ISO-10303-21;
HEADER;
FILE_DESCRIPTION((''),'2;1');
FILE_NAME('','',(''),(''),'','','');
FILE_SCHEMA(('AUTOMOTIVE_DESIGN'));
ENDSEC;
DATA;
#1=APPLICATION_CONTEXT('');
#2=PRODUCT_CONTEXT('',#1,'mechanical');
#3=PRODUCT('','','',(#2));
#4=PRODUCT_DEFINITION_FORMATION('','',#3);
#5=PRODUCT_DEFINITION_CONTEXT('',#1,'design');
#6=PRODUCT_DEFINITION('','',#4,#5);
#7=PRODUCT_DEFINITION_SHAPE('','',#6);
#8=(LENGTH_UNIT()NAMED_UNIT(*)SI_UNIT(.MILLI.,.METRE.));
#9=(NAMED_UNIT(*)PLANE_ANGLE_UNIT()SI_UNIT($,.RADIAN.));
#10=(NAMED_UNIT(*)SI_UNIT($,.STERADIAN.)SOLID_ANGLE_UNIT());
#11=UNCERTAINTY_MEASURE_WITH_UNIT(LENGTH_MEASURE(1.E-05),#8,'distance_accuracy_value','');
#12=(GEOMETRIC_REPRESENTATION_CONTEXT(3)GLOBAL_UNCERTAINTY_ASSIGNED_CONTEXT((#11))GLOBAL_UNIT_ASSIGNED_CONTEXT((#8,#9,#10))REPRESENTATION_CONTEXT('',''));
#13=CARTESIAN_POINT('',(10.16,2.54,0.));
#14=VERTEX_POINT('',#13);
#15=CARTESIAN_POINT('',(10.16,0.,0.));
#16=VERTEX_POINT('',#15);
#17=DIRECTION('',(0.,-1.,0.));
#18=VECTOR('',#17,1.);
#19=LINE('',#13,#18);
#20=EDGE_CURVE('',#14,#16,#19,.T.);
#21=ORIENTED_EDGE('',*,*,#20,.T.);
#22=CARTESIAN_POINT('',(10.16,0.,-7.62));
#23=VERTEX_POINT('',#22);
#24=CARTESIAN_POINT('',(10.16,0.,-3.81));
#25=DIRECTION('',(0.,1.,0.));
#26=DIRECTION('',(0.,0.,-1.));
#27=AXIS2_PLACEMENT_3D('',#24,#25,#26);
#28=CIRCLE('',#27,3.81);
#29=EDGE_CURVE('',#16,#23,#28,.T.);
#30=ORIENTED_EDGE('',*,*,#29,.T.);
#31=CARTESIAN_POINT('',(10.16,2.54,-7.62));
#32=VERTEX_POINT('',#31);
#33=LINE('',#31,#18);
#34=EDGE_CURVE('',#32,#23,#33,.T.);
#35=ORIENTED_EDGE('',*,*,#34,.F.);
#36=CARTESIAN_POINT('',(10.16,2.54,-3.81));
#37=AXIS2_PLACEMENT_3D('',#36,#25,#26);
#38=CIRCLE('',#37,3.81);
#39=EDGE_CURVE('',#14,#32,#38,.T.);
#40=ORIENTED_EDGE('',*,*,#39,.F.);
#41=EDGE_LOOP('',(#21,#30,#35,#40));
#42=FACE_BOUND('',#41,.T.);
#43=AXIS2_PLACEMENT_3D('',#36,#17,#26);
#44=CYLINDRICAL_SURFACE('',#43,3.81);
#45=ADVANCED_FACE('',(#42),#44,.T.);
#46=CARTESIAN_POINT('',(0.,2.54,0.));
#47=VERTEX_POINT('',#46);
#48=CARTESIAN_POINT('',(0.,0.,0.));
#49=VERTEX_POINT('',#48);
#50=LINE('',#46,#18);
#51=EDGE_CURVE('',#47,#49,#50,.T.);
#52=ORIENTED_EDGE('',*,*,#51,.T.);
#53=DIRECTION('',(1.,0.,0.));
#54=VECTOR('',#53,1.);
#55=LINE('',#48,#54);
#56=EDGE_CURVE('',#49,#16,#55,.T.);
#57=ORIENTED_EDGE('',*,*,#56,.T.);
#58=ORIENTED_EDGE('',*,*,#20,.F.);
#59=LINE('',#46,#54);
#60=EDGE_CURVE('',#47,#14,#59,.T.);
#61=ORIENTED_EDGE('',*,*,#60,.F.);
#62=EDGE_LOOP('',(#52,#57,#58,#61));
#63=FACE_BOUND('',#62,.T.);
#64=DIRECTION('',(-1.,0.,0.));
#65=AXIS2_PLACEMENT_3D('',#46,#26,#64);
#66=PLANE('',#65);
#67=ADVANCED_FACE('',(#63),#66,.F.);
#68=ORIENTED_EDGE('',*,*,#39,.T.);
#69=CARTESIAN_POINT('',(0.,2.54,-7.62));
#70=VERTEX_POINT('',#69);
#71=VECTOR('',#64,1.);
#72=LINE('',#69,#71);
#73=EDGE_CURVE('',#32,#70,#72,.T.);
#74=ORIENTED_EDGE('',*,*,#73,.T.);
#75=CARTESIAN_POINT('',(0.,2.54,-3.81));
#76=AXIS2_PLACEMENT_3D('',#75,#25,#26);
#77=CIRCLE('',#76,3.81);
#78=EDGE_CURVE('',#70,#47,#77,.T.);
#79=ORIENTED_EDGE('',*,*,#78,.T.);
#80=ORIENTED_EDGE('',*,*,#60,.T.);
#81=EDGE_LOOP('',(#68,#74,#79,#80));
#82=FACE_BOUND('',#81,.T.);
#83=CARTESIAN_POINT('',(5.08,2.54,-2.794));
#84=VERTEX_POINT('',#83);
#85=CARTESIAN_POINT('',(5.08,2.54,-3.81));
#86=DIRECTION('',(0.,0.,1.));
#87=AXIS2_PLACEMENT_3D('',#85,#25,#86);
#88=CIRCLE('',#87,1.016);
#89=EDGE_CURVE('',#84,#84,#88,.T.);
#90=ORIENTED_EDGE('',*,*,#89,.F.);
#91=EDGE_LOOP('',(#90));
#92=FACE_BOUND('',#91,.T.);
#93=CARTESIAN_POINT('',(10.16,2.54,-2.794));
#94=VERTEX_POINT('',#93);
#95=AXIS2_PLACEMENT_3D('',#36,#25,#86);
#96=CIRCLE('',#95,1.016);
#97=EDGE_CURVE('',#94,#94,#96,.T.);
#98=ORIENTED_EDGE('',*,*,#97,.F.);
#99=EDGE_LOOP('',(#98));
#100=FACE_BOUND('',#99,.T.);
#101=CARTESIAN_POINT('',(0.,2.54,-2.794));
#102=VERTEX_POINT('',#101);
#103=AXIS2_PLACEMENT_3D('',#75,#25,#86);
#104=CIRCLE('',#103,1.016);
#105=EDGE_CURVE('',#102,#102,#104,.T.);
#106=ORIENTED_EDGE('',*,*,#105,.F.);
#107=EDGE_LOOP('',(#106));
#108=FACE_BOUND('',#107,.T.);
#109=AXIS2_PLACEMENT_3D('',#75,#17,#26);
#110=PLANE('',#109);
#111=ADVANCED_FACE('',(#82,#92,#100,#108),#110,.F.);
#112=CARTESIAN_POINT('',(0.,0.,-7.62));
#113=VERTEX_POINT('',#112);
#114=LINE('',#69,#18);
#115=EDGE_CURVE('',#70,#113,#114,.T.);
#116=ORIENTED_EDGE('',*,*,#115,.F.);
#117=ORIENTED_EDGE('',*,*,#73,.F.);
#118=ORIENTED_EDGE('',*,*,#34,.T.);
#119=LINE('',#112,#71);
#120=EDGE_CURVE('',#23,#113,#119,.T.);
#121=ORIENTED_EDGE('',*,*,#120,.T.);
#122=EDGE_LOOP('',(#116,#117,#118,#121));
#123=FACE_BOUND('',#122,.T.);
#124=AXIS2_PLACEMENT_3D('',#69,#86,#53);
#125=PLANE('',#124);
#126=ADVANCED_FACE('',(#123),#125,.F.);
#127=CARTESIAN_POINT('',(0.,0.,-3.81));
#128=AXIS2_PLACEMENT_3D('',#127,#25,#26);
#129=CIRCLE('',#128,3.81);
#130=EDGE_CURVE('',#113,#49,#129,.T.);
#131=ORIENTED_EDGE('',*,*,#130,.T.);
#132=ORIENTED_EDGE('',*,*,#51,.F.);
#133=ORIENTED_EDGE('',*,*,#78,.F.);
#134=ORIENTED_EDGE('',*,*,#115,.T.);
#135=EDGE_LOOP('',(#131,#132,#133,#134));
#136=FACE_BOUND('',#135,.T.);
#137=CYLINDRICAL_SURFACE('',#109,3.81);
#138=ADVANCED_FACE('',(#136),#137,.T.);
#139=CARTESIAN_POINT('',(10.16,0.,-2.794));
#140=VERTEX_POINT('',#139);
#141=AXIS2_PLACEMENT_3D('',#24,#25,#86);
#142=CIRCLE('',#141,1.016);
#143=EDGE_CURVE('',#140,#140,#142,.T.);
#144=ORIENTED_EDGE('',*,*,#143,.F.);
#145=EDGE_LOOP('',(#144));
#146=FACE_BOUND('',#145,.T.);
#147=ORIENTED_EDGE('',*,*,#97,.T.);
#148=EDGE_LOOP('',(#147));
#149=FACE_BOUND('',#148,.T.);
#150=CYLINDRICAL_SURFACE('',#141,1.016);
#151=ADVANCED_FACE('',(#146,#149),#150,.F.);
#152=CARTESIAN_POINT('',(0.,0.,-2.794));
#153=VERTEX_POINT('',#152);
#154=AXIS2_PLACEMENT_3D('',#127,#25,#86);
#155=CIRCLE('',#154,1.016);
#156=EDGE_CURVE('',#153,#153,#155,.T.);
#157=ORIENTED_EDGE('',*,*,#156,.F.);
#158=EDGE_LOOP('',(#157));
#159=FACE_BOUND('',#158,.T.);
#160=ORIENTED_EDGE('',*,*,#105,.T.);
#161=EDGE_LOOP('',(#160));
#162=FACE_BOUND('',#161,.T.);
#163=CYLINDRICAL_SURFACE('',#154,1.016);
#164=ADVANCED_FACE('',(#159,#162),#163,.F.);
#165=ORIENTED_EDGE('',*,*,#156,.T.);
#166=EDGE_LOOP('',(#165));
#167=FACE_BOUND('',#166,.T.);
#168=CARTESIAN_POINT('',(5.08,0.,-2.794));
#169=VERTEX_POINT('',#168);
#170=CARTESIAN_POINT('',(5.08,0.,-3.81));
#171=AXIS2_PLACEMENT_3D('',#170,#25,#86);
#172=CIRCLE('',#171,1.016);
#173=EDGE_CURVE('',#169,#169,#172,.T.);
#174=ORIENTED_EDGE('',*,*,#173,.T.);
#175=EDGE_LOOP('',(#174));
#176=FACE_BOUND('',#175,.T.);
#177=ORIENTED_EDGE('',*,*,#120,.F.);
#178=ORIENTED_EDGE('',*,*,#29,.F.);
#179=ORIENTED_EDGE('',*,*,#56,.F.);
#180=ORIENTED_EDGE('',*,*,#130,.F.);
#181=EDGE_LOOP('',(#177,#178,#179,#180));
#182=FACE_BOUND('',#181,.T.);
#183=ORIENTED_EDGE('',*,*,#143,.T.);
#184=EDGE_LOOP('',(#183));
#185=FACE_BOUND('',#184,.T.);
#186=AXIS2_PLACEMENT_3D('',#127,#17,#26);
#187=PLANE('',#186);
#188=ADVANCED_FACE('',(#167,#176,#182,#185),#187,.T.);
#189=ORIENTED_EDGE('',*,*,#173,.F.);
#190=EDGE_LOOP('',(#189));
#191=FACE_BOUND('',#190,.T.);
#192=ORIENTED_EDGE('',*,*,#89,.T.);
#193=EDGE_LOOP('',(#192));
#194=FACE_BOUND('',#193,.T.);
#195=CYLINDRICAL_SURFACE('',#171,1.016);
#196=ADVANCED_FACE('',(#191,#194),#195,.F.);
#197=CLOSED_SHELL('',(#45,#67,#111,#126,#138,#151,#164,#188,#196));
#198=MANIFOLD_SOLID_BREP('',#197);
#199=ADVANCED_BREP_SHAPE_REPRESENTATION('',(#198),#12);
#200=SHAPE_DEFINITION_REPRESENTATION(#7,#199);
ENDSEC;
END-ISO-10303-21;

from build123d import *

# Parameters (mm, degrees)
BOSS_EXTRUDE1_DEPTH = 2.54
SKETCH2_R           = 1.016
CUT_EXTRUDE1_DEPTH  = 3.54


with BuildPart() as part:
    # Sketch1 → Boss-Extrude1 (new body)
    with BuildSketch(Plane(origin=(0, 0, 0), x_dir=(1, 0, 0), z_dir=(0, 1, 0))):
        with BuildLine():
            Line((0, 0), (10.16, 0))
            ThreePointArc((10.16, 0), (13.97, 3.81), (10.16, 7.62))
            Line((10.16, 7.62), (0, 7.62))
            ThreePointArc((0, 7.62), (-3.81, 3.81), (0, 0))
        make_face()
    extrude(amount=BOSS_EXTRUDE1_DEPTH)

    # Sketch2 → Cut-Extrude1 (cut, through all)
    with BuildSketch(Plane(origin=(0, 2.54, 0), x_dir=(1, 0, 0), z_dir=(0, 1, 0))):
        with Locations((0, 3.81)):
            Circle(SKETCH2_R)
        with Locations((5.08, 3.81)):
            Circle(SKETCH2_R)
        with Locations((10.16, 3.81)):
            Circle(SKETCH2_R)
    extrude(amount=-CUT_EXTRUDE1_DEPTH, mode=Mode.SUBTRACT)


solid = part.part
